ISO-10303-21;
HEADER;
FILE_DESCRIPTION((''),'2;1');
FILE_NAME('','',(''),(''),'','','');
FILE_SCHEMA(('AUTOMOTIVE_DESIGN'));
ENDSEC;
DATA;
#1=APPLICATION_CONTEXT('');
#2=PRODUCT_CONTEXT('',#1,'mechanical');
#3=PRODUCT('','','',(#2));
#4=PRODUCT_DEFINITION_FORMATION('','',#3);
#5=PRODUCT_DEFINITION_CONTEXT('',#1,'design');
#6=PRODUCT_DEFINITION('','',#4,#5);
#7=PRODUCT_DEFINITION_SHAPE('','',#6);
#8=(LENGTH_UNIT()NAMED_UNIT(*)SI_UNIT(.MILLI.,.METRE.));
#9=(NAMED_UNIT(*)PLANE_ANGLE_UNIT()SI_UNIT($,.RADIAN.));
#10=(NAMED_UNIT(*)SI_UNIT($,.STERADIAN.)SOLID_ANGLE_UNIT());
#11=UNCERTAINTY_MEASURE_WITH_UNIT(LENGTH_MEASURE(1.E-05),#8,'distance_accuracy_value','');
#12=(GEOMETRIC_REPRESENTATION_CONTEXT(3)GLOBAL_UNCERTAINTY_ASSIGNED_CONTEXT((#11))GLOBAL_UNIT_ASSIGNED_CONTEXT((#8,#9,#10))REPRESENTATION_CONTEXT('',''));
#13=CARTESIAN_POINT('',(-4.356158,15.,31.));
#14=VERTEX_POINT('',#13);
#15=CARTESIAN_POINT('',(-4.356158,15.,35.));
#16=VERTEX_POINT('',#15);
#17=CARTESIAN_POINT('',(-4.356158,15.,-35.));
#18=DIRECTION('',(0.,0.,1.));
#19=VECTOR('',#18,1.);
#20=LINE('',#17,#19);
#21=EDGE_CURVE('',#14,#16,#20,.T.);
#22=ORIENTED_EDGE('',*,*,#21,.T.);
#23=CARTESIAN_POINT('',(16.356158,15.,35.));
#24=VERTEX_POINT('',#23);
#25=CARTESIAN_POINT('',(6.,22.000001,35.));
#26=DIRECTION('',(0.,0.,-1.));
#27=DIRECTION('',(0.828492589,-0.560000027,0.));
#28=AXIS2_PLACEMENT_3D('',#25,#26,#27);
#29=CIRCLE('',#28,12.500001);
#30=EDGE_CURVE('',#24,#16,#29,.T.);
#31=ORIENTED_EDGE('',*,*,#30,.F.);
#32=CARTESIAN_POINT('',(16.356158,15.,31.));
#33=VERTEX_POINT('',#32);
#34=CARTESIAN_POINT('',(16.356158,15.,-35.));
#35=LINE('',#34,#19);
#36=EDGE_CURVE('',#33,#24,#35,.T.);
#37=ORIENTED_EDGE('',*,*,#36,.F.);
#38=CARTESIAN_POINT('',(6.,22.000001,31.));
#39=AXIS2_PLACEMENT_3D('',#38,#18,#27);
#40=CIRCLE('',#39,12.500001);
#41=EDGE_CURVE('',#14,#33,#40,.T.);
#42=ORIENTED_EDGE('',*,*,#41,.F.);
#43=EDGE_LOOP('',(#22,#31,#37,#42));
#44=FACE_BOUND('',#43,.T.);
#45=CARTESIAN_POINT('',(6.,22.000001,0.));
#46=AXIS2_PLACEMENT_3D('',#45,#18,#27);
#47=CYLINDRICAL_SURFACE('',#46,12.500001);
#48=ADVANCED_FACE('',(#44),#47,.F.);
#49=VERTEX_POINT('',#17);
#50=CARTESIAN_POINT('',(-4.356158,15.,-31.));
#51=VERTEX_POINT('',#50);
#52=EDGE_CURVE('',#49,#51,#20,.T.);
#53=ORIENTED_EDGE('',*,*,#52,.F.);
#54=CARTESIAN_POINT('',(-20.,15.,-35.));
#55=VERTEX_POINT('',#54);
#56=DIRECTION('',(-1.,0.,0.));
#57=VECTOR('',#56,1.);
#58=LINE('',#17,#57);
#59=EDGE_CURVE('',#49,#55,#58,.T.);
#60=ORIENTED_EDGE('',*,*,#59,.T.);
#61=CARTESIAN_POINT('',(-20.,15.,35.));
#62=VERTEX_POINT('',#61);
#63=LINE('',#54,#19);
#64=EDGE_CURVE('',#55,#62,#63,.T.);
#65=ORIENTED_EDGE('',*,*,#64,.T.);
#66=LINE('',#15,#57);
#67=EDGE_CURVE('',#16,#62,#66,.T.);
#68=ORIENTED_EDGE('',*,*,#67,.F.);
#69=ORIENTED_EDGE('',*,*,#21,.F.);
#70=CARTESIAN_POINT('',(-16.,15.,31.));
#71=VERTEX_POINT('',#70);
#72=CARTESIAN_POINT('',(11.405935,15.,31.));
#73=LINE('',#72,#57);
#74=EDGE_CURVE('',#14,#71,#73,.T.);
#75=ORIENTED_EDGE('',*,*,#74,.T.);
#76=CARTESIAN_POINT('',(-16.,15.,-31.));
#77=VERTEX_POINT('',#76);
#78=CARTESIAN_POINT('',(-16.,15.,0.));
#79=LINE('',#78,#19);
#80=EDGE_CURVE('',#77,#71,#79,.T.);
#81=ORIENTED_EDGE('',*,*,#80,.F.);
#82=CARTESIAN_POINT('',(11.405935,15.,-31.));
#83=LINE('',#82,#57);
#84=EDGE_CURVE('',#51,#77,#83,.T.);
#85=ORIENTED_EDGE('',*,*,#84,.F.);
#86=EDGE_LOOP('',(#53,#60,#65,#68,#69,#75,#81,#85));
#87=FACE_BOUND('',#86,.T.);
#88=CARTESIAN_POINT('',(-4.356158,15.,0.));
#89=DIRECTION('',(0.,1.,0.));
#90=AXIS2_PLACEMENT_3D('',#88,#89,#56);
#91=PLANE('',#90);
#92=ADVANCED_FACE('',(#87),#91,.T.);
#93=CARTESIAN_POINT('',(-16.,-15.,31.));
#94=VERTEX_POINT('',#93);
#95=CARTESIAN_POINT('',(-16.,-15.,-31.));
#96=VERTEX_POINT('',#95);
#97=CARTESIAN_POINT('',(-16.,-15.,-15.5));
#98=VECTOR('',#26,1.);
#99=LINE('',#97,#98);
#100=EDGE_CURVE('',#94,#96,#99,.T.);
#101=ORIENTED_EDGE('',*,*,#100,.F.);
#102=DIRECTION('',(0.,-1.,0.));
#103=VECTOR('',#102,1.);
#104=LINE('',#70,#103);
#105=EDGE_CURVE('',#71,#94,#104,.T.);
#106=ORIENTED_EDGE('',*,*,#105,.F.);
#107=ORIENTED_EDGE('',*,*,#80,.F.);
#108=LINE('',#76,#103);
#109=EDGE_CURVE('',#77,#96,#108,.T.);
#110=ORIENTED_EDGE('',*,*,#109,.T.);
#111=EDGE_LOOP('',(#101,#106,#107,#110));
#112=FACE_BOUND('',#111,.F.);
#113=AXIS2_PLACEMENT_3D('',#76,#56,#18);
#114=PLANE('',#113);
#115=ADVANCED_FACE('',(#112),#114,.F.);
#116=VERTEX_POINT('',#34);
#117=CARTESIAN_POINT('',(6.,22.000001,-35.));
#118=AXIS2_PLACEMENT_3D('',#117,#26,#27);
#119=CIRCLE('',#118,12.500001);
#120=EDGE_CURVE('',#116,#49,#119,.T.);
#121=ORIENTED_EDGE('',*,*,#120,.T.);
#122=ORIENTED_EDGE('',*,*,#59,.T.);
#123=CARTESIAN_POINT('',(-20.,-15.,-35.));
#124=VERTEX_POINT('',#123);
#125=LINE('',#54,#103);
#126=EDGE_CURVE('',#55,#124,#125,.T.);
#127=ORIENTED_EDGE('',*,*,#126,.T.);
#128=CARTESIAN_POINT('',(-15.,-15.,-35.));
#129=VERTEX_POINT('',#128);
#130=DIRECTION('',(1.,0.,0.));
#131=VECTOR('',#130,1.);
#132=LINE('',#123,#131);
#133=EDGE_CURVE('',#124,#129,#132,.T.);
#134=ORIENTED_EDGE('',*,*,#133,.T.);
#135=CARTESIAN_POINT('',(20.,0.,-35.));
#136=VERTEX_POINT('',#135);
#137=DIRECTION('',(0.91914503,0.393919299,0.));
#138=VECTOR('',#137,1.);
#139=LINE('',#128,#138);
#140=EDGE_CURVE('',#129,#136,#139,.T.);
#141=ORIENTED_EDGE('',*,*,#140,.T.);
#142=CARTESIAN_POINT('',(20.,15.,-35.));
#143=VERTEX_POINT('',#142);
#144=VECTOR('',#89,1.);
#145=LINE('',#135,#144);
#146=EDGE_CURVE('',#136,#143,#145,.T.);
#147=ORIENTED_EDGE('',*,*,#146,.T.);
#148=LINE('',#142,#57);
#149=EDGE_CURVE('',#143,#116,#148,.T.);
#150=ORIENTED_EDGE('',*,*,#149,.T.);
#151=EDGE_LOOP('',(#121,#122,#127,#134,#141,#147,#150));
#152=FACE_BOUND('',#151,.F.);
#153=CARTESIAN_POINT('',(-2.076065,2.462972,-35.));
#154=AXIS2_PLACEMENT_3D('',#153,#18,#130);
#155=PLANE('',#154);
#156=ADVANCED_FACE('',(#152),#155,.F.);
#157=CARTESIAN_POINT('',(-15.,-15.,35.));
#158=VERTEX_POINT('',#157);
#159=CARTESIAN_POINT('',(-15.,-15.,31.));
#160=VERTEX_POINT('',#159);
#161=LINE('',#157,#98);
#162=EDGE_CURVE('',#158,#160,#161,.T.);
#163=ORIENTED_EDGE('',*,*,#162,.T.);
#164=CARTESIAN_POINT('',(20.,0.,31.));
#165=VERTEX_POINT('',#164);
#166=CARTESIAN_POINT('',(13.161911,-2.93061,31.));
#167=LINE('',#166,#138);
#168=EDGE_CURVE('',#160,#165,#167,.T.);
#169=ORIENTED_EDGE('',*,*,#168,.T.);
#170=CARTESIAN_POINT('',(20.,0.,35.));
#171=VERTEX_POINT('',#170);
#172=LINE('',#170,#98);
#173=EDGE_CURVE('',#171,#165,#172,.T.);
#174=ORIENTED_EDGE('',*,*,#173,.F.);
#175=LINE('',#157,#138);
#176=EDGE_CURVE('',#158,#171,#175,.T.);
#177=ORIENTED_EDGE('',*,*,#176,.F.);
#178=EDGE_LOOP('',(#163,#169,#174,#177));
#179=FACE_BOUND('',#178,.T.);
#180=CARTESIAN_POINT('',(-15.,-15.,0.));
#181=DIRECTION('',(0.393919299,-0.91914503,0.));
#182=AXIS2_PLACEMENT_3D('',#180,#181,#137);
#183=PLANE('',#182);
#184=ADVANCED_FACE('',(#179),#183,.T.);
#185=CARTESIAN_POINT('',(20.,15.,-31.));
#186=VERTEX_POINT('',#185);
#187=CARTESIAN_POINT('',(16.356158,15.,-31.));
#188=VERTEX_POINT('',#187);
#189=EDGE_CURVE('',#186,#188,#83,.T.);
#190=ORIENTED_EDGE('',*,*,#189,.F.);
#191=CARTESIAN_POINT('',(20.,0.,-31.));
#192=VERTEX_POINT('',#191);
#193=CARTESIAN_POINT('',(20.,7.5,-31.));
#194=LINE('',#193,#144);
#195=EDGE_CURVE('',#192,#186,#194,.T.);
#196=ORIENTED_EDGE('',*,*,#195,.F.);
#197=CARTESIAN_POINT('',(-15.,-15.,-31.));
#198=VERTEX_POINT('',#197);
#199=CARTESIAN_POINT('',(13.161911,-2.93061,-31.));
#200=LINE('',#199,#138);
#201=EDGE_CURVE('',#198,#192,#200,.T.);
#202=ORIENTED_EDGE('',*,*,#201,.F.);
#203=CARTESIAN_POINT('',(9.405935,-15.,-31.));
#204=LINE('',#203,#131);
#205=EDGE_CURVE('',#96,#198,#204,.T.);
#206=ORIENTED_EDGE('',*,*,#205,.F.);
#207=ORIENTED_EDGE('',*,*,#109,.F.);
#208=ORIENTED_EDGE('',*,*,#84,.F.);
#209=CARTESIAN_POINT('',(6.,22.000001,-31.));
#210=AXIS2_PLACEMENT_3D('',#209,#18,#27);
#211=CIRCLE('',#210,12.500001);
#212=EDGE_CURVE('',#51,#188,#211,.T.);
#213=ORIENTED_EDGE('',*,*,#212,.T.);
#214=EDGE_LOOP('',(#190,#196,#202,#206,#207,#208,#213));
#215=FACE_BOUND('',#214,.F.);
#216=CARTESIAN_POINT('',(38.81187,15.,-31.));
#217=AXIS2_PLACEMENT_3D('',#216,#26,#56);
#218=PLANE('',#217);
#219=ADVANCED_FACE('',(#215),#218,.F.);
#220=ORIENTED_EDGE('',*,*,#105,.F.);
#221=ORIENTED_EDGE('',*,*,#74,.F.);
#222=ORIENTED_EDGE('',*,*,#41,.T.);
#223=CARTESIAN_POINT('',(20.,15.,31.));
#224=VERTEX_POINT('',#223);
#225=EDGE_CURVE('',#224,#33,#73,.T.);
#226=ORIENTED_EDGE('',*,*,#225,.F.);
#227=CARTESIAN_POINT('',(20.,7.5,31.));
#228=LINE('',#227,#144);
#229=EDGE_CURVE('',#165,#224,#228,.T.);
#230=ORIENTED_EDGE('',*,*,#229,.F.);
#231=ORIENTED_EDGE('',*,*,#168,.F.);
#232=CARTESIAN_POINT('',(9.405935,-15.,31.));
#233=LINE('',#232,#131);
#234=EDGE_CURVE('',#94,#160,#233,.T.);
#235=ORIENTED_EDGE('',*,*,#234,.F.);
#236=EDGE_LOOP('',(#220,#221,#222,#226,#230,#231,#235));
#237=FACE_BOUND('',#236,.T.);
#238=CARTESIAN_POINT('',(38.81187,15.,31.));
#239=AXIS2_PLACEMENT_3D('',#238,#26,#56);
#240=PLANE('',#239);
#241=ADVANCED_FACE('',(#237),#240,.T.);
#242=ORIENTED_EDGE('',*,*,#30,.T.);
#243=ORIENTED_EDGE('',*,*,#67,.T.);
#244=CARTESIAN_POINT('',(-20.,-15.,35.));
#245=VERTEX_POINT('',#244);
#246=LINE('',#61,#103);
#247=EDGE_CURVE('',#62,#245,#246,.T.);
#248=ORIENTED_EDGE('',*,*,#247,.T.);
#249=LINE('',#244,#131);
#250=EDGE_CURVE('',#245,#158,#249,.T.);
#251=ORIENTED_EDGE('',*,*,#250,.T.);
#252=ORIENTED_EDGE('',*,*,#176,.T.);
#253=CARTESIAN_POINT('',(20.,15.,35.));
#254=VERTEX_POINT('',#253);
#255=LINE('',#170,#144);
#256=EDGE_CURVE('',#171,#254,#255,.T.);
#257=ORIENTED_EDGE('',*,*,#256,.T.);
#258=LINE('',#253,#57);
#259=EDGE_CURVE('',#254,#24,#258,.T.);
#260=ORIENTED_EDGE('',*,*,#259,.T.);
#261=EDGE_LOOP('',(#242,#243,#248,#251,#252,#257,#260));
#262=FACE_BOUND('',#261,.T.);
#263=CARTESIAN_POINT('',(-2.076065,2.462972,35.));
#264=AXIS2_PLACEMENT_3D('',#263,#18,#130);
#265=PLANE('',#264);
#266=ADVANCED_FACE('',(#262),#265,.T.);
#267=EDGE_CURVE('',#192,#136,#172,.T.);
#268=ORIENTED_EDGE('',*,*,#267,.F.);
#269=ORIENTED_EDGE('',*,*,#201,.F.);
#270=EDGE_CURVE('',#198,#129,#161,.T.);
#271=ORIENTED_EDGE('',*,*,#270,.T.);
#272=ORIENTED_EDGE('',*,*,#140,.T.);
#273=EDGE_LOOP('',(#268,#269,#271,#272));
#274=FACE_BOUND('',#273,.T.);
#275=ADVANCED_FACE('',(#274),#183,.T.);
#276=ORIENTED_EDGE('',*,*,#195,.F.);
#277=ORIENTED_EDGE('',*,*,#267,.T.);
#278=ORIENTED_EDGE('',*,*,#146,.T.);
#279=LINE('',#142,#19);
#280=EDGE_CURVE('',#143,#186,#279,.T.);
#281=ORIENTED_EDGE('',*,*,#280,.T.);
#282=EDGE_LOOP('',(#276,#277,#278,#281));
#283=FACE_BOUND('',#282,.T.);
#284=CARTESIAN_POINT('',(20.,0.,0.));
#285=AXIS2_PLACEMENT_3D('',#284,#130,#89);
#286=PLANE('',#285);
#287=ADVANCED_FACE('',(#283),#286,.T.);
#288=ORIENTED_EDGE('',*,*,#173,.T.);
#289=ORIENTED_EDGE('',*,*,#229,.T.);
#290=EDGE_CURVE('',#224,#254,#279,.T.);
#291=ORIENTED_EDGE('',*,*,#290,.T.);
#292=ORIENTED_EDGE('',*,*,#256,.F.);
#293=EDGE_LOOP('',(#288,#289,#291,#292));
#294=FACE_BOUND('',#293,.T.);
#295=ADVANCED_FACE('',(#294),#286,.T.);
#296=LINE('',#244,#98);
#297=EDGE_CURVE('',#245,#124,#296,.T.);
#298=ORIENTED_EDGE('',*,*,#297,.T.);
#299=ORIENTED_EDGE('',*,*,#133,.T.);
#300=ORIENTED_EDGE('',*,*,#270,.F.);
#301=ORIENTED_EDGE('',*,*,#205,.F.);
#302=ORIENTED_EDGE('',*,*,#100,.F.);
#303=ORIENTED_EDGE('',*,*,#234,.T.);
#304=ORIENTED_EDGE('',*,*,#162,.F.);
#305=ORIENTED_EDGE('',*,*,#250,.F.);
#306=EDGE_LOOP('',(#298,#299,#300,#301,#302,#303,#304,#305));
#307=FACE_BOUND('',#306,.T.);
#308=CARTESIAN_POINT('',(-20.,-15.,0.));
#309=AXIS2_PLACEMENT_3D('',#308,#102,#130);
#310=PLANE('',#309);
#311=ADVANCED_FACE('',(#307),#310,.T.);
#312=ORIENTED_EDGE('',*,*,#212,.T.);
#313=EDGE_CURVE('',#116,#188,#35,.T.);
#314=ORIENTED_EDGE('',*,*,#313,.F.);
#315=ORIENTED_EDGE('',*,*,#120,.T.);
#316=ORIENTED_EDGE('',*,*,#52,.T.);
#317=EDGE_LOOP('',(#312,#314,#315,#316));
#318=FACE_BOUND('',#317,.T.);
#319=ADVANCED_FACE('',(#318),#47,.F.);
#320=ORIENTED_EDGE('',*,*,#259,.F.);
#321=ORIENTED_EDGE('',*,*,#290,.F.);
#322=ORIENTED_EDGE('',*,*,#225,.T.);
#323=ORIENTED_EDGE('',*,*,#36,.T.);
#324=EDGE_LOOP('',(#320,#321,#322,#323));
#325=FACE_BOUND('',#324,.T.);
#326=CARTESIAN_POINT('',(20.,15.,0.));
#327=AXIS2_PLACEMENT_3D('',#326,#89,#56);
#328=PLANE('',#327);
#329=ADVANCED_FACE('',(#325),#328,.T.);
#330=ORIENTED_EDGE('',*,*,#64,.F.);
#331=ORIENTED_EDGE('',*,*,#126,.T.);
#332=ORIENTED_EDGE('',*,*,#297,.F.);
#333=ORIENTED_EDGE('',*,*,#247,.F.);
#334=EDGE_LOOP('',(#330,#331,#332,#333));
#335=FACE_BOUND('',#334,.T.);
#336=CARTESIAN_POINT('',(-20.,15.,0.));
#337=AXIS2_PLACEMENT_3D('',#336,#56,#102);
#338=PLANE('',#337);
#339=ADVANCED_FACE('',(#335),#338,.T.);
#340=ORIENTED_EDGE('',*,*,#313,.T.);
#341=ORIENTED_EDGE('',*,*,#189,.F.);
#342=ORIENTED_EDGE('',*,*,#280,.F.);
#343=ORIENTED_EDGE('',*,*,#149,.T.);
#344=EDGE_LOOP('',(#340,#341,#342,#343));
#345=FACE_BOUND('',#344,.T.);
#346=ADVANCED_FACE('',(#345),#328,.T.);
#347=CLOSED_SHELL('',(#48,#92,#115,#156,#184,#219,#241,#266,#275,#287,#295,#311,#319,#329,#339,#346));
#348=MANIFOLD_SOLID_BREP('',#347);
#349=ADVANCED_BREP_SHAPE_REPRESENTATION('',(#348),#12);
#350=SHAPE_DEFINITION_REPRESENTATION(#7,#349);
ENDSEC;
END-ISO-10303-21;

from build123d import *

# Parameters (mm, degrees)
F1_DEPTH = 35
F2_W     = 54.81187
F2_H     = 62
F3_DEPTH = 40


with BuildPart() as f1:
    # F0 (on Top) → F1 (new body, symmetric)
    with BuildSketch(Plane.XY):
        with BuildLine():
            Line((20, 0), (20, 15))
            Line((20, 15), (16.356158, 15))
            ThreePointArc((16.356158, 15), (6, 9.5), (-4.356158, 15))
            Line((-4.356158, 15), (-20, 15))
            Line((-20, 15), (-20, -15))
            Line((-20, -15), (-15, -15))
            Line((-15, -15), (20, 0))
        make_face()
    extrude(amount=F1_DEPTH, both=True)

    # F2 (on face) → F3 (cut)
    with BuildSketch(Plane(origin=(0, 15, 0), x_dir=(-1, 0, 0), z_dir=(0, 1, 0))):
        with Locations((-11.405935, 0)):
            Rectangle(F2_W, F2_H)
    extrude(amount=-F3_DEPTH, mode=Mode.SUBTRACT)


solid = f1.part
